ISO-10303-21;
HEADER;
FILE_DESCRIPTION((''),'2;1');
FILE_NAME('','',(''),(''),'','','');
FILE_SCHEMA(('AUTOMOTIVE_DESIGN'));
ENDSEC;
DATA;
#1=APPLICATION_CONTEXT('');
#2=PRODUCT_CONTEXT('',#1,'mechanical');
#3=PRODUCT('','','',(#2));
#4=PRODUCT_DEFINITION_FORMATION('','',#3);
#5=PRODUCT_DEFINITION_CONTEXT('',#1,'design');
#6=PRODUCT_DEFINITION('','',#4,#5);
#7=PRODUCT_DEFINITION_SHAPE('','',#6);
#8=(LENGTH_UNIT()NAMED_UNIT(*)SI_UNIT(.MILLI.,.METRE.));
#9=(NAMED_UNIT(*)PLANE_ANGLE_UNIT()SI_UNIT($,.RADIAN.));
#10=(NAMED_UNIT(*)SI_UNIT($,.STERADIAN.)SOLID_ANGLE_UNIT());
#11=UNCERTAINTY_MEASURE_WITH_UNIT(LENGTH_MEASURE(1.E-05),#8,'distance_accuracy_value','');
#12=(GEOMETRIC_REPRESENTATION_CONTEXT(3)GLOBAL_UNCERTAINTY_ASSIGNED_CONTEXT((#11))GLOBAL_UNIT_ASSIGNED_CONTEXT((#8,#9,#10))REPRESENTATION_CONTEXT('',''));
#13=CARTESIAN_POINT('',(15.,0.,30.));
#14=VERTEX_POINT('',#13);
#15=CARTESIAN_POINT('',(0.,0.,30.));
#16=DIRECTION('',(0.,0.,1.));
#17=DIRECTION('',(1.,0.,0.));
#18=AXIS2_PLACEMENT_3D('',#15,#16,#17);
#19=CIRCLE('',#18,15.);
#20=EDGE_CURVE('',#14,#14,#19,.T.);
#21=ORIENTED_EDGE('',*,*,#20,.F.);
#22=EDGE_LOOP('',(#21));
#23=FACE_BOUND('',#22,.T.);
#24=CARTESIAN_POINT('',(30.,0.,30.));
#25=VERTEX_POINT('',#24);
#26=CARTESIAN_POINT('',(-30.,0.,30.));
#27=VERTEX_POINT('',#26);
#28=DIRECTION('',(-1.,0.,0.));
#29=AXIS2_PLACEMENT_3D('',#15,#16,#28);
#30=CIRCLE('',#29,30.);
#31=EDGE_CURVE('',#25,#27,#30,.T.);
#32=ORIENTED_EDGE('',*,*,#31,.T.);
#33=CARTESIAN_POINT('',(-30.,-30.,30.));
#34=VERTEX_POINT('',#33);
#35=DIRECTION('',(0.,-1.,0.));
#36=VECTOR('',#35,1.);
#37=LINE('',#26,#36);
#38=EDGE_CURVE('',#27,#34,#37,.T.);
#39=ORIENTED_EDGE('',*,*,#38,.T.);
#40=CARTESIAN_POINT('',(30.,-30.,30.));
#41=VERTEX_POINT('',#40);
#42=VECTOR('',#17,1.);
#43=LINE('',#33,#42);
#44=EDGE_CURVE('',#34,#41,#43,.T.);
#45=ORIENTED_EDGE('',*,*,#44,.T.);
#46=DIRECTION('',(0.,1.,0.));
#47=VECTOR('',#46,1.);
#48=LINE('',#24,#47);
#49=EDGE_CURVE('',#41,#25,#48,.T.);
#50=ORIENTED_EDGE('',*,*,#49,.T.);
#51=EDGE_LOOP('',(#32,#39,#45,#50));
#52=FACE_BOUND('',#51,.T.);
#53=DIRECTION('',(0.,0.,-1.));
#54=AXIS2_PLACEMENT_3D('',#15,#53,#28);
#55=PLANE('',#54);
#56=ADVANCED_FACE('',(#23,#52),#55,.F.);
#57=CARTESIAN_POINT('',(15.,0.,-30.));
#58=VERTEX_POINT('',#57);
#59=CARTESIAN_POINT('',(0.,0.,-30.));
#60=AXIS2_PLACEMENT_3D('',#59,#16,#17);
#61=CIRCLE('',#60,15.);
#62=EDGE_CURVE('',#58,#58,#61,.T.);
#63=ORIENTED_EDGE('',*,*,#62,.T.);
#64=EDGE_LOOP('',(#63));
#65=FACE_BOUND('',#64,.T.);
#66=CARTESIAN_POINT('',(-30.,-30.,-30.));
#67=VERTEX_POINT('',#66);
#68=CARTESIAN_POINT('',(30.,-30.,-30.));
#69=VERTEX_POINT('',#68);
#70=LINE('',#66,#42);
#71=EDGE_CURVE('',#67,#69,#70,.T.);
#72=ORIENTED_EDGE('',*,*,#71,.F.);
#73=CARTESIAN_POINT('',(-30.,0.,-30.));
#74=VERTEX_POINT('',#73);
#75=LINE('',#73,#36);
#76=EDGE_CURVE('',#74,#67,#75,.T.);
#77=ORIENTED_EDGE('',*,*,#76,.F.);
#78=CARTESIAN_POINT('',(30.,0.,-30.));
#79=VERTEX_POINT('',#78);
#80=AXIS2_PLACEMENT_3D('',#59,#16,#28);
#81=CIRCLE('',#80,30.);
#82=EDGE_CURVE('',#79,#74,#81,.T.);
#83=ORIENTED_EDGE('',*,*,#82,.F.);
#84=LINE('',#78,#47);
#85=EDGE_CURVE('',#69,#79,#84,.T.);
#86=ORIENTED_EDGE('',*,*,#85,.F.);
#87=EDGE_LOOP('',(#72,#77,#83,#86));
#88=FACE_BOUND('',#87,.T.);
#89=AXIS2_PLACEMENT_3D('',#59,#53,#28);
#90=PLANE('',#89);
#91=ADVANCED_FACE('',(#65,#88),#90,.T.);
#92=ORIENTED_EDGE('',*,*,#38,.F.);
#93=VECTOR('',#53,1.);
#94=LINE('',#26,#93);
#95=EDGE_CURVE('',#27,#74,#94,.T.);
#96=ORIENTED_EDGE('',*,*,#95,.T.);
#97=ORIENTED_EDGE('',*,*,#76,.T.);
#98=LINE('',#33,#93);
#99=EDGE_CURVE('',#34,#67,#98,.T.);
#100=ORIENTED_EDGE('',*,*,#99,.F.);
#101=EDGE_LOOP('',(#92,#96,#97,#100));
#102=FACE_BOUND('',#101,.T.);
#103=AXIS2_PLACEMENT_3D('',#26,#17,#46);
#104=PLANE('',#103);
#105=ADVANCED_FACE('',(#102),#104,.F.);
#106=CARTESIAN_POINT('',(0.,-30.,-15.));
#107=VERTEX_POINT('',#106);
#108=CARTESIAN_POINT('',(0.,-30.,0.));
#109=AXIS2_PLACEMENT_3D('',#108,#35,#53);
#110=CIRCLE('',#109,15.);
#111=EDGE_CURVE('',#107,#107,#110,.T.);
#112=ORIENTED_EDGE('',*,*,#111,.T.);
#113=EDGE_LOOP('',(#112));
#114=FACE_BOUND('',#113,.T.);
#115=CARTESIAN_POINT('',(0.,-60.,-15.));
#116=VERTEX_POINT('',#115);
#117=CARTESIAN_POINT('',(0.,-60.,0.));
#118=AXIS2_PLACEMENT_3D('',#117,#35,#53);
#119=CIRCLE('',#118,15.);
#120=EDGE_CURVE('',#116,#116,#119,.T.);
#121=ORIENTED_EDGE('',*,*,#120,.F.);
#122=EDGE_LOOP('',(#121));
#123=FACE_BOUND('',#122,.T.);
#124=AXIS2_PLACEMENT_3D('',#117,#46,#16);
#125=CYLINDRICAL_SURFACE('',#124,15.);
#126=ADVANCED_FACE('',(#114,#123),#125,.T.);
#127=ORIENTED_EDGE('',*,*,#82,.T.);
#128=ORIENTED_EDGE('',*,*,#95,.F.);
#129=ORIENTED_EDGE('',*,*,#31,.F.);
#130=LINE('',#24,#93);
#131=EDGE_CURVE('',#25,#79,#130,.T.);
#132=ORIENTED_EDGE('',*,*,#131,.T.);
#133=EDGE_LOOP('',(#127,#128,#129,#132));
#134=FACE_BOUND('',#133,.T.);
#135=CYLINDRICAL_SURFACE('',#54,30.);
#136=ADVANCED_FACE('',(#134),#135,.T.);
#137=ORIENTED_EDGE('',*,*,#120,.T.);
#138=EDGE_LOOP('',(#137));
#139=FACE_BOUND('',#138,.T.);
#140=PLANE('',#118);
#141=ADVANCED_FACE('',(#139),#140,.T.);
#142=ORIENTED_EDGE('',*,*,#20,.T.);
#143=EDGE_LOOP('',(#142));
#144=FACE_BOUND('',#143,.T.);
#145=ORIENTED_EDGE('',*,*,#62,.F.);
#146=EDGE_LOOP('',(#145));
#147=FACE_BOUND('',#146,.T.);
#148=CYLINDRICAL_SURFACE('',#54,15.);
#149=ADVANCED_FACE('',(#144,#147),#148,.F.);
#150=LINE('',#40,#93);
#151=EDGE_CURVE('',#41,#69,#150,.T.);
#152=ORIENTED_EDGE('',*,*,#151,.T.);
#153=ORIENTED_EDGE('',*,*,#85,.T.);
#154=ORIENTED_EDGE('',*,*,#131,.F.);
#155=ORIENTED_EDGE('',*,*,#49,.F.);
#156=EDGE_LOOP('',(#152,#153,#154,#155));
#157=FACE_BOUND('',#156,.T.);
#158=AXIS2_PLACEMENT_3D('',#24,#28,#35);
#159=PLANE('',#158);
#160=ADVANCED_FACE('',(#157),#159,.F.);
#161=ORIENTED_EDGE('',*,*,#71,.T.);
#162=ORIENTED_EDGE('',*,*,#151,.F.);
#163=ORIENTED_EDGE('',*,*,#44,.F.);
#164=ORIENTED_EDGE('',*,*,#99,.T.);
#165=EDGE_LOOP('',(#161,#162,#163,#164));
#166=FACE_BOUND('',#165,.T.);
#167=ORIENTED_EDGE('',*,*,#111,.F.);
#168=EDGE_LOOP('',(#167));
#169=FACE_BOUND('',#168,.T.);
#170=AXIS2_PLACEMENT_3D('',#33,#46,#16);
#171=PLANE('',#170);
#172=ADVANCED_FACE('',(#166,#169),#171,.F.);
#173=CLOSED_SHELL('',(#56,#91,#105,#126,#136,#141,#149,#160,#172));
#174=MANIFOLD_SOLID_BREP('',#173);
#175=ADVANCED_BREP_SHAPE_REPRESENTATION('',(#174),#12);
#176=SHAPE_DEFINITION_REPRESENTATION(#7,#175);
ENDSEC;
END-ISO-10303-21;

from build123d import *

# Parameters (mm, degrees)
SKETCH1_LINK5_R     = 15
BOSS_EXTRUDE1_DEPTH = 30
SKETCH2_LINK5_R     = 15
BOSS_EXTRUDE2_DEPTH = 30


with BuildPart() as part:
    # sketch1_link5 → Boss-Extrude1 (new body, symmetric)
    with BuildSketch(Plane.XY):
        with BuildLine():
            Line((-30, 0), (-30, -30))
            Line((-30, -30), (30, -30))
            Line((30, -30), (30, 0))
            ThreePointArc((30, 0), (0, 30), (-30, 0))
        make_face()
        Circle(SKETCH1_LINK5_R, mode=Mode.SUBTRACT)
    extrude(amount=BOSS_EXTRUDE1_DEPTH, both=True)

    # sketch2_link5 → Boss-Extrude2 (add)
    with BuildSketch(Plane.XZ.offset(30)):
        Circle(SKETCH2_LINK5_R)
    extrude(amount=BOSS_EXTRUDE2_DEPTH)


solid = part.part
